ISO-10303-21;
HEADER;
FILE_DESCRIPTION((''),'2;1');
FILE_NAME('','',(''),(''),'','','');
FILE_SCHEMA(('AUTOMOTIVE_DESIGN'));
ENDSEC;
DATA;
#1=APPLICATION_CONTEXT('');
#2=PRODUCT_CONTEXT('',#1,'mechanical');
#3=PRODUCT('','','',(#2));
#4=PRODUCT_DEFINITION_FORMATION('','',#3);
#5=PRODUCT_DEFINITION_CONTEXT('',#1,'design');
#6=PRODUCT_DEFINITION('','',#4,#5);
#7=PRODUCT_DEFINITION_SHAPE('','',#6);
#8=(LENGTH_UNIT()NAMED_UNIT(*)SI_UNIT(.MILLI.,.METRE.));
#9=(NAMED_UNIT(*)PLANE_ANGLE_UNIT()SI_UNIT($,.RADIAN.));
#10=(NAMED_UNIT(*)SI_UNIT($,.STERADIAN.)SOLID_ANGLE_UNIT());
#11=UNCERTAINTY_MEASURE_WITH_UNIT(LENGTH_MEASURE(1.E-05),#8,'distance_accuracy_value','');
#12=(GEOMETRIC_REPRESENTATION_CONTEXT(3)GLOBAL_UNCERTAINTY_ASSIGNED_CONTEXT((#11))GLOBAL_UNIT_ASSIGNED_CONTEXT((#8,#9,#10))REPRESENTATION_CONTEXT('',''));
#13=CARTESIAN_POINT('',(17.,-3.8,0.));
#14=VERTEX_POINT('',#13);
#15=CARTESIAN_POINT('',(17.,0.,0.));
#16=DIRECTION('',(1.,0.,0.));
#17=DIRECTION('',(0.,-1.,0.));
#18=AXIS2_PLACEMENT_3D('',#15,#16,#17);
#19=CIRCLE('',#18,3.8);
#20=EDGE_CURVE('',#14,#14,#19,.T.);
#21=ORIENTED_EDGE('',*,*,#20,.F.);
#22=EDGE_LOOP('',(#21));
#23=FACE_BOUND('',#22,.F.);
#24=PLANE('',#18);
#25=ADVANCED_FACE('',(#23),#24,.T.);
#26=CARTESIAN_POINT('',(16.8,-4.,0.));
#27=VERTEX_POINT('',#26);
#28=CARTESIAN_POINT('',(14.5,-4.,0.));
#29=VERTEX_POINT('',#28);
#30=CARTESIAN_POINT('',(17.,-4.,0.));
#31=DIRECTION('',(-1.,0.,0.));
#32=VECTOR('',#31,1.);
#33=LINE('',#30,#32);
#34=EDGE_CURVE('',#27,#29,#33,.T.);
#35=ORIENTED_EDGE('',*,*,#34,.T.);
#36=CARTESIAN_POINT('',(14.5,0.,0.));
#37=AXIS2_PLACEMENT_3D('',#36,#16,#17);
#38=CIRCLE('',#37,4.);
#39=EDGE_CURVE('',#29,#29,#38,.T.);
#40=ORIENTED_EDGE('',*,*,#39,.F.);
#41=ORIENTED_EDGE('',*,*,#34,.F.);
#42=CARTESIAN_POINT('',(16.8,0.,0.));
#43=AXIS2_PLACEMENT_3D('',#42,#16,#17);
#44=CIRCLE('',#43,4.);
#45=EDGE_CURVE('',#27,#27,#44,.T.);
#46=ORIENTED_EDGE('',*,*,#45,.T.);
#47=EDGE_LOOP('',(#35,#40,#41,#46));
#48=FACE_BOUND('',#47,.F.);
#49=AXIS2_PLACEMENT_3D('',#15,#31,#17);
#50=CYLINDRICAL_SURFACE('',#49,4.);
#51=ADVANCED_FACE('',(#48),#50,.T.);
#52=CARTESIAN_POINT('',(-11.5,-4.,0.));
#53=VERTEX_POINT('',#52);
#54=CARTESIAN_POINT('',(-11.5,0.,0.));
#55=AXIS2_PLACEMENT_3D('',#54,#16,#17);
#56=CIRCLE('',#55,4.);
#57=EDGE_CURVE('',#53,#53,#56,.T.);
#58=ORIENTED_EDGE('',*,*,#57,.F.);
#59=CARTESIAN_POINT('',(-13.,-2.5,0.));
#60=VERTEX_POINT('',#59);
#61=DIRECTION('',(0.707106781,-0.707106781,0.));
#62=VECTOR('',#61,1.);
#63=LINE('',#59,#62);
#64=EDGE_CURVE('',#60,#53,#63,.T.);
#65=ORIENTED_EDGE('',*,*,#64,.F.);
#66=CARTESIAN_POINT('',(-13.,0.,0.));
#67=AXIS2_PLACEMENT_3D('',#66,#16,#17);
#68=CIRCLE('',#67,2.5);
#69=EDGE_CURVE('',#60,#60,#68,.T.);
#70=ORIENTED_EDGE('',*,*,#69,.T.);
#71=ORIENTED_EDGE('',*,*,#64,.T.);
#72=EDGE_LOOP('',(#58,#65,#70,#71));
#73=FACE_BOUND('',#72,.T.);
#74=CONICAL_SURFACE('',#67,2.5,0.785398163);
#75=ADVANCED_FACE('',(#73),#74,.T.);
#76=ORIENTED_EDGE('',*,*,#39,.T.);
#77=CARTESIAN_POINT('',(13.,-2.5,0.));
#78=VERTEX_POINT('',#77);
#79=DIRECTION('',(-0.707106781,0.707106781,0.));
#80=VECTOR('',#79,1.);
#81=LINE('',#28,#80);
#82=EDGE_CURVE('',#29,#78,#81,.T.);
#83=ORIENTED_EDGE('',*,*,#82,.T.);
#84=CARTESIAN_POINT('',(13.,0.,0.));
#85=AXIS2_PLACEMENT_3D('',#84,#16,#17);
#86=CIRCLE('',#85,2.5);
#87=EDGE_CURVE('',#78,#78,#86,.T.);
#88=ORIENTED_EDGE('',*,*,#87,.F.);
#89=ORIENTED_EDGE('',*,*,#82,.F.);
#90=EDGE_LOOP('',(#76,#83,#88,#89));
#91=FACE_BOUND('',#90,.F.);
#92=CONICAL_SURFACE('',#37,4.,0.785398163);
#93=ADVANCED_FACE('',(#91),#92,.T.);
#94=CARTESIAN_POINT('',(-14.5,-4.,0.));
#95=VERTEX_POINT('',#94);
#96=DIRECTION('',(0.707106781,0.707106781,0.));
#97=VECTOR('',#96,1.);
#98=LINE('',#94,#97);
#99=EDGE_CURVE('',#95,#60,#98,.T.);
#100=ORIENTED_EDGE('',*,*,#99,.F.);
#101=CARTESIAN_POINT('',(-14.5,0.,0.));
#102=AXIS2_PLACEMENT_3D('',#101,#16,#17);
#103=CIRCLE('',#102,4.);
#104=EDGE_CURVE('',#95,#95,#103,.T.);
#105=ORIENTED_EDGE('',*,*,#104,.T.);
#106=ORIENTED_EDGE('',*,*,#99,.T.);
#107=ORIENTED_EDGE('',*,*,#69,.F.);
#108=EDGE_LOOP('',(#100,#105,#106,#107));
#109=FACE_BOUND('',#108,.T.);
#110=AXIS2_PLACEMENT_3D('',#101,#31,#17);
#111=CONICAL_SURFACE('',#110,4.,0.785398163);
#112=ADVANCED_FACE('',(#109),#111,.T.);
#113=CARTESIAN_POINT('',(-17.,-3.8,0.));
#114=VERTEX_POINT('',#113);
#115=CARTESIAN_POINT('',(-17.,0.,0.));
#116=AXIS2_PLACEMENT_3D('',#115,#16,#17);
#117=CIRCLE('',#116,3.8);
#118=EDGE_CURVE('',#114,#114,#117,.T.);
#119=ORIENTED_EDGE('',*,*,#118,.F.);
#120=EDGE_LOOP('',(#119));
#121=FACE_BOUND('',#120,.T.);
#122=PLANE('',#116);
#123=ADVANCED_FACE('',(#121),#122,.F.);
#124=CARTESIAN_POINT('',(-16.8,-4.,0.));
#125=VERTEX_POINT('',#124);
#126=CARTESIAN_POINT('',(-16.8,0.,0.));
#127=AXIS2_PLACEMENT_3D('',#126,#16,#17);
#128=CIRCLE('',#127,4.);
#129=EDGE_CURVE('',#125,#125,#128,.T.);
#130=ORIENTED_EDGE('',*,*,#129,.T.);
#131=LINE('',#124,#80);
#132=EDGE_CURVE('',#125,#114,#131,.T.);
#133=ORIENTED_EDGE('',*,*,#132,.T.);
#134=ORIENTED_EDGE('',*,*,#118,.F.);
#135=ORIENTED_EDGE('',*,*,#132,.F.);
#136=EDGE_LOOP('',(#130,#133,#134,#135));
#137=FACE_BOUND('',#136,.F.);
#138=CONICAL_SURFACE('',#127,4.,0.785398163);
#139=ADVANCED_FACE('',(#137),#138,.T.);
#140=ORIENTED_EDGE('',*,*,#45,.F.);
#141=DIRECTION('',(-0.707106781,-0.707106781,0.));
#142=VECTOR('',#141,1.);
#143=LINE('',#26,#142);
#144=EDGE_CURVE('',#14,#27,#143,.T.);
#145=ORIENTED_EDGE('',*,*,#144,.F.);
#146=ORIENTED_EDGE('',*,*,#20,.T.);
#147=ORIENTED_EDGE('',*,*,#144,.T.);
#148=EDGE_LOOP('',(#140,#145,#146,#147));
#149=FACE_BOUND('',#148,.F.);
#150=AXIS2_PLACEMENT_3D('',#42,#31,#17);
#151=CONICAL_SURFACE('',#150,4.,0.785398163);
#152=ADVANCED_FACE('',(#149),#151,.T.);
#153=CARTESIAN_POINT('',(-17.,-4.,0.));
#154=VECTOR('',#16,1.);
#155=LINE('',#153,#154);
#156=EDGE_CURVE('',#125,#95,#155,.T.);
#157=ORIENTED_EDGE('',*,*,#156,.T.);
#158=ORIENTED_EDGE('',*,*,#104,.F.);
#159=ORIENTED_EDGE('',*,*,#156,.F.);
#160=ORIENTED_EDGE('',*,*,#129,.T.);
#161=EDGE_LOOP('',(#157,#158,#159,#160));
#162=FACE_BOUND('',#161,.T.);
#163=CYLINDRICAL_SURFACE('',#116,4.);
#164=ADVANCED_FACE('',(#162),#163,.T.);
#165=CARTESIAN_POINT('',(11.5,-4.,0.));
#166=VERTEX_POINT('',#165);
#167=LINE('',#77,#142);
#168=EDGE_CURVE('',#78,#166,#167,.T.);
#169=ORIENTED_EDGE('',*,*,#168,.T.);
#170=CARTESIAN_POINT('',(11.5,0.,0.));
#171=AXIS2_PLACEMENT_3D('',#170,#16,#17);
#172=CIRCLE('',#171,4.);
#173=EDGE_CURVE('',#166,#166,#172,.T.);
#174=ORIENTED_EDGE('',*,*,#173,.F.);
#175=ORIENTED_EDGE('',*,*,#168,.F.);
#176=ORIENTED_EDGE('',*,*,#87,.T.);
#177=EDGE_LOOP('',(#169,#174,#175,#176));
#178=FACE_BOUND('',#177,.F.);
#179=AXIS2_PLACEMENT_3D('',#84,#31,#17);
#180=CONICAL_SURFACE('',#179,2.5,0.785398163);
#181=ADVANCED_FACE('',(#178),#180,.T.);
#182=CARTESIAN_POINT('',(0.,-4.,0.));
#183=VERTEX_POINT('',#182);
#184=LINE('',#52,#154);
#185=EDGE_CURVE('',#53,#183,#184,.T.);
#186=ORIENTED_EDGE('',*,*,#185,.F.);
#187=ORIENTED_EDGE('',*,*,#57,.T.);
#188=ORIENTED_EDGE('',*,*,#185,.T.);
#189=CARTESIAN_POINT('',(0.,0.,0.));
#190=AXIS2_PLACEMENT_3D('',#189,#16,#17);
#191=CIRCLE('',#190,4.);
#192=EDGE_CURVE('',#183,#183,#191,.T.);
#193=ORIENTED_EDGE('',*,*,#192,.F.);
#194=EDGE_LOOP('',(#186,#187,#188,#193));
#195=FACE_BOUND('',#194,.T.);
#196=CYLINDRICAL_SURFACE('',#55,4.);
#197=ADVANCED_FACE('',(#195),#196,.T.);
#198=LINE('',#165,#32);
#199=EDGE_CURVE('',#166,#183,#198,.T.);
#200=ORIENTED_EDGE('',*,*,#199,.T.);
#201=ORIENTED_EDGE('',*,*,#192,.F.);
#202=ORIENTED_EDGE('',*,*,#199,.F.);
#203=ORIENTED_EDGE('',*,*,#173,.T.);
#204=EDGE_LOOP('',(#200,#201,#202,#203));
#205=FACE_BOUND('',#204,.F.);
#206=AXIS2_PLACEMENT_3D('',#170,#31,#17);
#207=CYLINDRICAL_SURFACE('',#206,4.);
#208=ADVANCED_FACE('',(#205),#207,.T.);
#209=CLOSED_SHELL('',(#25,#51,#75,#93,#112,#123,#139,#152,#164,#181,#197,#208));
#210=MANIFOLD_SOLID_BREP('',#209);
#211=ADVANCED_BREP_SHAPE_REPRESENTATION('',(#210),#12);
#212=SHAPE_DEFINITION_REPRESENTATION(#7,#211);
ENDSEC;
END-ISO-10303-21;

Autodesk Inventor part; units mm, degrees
ref_plane "YZ Plane" through (0, 0, 0) normal (1, 0, 0) x (0, 1, 0)
ref_plane "XZ Plane" through (0, 0, 0) normal (0, 1, 0) x (-1, 0, 0)
ref_plane "XY Plane" through (0, 0, 0) normal (0, 0, 1) x (1, 0, 0)
sketch "Sketch2" plane through (0, 0, 0) normal (0, 0, 1) x (1, 0, 0)
  line L0 (-17, 0) -> (17, 0)
  line L1 (-17, 0) -> (-17, -4)
  line L2 (-17, -4) -> (-14.5, -4)
  line L3 (-14.5, -4) -> (-13, -2.5)
  line L4 (-13, -2.5) -> (-11.5, -4)
  line L5 (-11.5, -4) -> (0, -4)
  line L6 (0, 0) -> (0, -4) construction
  line L7 (-13, -2.5) -> (-13, 0) construction
  line L8 (17, 0) -> (17, -4)
  line L9 (17, -4) -> (14.5, -4)
  line L10 (14.5, -4) -> (13, -2.5)
  line L11 (13, -2.5) -> (11.5, -4)
  line L12 (11.5, -4) -> (0, -4)
  dimension "d1" = 34
  dimension "d2" = 135
  dimension "d3" = 4
  dimension "d4" = 8
  dimension "d5" = 3
revolve "Revolution1" add sketch "Sketch2" angle 360 about axis through (-17, 0, 0) along (1, 0, 0)
chamfer "Chamfer1" distance 0.2 angle 45 2 edges at (-17, 4, 0) (17, 4, 0)
properties part number "TL20240701-10200AT-002" material "S45C"
